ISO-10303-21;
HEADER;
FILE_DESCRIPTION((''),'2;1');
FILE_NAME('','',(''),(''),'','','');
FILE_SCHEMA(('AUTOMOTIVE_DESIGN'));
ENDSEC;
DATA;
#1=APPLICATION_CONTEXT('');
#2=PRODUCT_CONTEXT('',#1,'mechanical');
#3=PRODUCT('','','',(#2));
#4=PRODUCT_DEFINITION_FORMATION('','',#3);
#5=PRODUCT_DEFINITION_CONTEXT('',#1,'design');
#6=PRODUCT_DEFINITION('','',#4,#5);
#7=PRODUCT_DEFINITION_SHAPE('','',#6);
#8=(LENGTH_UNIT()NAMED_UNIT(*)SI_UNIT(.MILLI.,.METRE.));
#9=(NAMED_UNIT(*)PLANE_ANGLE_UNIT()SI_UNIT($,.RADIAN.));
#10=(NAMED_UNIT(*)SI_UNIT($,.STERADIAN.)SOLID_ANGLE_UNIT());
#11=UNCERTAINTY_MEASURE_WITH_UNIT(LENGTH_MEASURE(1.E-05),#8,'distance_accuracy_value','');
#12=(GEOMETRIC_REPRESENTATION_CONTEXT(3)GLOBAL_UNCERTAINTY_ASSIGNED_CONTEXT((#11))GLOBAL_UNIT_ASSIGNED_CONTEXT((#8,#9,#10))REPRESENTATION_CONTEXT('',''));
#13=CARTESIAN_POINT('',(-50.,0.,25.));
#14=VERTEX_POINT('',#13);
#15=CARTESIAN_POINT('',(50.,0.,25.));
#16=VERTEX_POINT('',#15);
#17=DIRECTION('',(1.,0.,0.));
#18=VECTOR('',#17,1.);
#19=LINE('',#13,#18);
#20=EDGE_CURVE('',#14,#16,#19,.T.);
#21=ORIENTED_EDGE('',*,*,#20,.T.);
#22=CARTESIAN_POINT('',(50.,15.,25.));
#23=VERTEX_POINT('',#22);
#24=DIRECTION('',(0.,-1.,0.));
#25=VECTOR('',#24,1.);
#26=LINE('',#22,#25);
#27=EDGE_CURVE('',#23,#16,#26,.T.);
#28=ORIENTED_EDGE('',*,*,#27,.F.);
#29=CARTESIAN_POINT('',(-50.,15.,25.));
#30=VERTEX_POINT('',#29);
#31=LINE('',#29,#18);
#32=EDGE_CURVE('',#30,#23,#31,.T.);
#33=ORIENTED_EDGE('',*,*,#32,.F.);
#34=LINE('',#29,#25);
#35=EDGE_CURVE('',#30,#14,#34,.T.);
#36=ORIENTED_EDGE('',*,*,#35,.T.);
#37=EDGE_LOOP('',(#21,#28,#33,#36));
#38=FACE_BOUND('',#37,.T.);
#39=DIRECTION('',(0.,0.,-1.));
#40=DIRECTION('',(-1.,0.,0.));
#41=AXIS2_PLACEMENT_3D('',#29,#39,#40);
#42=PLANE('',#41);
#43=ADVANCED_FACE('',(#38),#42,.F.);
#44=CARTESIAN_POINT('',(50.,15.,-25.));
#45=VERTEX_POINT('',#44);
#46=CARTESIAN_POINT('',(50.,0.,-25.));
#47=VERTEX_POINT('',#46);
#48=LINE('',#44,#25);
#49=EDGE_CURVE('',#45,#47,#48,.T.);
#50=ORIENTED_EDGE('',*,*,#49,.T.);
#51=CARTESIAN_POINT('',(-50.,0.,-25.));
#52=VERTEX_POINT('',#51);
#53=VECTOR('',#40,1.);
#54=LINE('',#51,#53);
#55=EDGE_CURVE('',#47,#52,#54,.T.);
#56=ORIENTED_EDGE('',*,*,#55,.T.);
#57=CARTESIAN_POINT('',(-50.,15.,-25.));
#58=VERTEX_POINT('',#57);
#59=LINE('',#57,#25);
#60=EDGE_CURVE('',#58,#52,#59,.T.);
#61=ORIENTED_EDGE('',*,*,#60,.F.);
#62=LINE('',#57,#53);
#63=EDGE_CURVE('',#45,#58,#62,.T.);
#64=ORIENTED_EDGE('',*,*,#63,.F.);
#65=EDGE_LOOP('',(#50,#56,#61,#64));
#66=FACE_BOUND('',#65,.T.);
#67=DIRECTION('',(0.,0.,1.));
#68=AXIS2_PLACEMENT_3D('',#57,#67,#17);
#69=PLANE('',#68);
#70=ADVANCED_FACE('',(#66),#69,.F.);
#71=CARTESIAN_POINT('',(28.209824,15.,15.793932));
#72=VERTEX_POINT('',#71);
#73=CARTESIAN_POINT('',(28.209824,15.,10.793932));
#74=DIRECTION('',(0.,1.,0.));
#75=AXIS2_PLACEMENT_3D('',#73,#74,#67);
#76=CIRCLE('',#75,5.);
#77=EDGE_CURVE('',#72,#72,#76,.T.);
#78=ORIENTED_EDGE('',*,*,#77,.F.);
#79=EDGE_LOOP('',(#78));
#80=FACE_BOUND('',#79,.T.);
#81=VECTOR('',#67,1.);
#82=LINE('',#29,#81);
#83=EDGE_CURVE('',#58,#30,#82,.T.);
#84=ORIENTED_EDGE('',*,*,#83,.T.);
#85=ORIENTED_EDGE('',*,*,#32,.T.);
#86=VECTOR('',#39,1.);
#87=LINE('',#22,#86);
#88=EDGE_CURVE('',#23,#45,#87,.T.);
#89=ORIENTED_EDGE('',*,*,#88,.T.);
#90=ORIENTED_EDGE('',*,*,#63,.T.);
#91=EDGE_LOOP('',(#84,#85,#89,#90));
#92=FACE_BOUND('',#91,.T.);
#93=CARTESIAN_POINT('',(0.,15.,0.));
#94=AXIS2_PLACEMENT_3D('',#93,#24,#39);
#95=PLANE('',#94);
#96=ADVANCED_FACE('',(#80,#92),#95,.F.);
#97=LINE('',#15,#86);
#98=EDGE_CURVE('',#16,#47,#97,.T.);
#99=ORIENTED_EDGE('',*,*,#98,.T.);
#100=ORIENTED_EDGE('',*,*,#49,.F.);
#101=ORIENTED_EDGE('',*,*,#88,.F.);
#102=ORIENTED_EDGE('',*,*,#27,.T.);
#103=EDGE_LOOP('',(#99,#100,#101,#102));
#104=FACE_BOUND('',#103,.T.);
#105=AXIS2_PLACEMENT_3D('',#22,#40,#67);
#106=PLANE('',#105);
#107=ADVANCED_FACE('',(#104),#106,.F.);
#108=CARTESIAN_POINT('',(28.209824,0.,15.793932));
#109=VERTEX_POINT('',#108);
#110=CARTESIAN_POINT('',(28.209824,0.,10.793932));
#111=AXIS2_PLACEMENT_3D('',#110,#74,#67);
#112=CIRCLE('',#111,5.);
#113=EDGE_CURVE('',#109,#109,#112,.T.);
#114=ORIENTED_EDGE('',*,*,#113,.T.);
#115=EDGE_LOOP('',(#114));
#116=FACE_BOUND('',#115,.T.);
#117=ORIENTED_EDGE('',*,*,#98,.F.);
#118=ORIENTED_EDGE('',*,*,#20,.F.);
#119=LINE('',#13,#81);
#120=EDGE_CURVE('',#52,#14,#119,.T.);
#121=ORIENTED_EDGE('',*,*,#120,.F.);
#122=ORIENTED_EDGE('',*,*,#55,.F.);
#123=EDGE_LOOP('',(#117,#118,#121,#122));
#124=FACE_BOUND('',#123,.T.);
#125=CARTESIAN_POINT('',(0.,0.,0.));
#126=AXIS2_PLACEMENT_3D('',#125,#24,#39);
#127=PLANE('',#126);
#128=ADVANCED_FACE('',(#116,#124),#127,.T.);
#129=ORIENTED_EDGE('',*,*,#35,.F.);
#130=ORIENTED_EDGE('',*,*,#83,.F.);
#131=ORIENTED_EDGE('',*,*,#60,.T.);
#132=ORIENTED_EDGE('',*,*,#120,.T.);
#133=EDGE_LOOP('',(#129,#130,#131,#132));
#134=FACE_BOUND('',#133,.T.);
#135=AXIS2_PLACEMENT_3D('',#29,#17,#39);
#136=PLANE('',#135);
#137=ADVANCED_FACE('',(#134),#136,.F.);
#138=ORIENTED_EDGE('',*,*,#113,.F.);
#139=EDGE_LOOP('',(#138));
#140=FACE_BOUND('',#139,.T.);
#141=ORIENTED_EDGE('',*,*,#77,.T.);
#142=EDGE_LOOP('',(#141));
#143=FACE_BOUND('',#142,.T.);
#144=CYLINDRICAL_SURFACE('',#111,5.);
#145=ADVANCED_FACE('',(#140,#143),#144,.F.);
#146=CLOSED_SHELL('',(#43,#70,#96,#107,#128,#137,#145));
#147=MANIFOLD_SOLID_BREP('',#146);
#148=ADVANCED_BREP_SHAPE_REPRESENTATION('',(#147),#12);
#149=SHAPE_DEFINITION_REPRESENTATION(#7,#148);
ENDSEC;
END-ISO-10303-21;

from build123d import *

# Parameters (mm, degrees)
SKETCH4_W           = 100
SKETCH4_H           = 50
BOSS_EXTRUDE3_DEPTH = 15
SKETCH5_R           = 5
CUT_EXTRUDE2_DEPTH  = 15


with BuildPart() as part:
    # Sketch4 → Boss-Extrude3 (new body)
    with BuildSketch(Plane(origin=(0, 0, 0), x_dir=(1, 0, 0), z_dir=(0, 1, 0))):
        Rectangle(SKETCH4_W, SKETCH4_H)
    extrude(amount=BOSS_EXTRUDE3_DEPTH)

    # Sketch5 → Cut-Extrude2 (cut)
    with BuildSketch(Plane(origin=(0, 15, 0), x_dir=(1, 0, 0), z_dir=(0, 1, 0))):
        with Locations(Location((28.209823651, -10.793932011, 0), (0, 0, 270))):
            Circle(SKETCH5_R)
    extrude(amount=-CUT_EXTRUDE2_DEPTH, mode=Mode.SUBTRACT)


solid = part.part
